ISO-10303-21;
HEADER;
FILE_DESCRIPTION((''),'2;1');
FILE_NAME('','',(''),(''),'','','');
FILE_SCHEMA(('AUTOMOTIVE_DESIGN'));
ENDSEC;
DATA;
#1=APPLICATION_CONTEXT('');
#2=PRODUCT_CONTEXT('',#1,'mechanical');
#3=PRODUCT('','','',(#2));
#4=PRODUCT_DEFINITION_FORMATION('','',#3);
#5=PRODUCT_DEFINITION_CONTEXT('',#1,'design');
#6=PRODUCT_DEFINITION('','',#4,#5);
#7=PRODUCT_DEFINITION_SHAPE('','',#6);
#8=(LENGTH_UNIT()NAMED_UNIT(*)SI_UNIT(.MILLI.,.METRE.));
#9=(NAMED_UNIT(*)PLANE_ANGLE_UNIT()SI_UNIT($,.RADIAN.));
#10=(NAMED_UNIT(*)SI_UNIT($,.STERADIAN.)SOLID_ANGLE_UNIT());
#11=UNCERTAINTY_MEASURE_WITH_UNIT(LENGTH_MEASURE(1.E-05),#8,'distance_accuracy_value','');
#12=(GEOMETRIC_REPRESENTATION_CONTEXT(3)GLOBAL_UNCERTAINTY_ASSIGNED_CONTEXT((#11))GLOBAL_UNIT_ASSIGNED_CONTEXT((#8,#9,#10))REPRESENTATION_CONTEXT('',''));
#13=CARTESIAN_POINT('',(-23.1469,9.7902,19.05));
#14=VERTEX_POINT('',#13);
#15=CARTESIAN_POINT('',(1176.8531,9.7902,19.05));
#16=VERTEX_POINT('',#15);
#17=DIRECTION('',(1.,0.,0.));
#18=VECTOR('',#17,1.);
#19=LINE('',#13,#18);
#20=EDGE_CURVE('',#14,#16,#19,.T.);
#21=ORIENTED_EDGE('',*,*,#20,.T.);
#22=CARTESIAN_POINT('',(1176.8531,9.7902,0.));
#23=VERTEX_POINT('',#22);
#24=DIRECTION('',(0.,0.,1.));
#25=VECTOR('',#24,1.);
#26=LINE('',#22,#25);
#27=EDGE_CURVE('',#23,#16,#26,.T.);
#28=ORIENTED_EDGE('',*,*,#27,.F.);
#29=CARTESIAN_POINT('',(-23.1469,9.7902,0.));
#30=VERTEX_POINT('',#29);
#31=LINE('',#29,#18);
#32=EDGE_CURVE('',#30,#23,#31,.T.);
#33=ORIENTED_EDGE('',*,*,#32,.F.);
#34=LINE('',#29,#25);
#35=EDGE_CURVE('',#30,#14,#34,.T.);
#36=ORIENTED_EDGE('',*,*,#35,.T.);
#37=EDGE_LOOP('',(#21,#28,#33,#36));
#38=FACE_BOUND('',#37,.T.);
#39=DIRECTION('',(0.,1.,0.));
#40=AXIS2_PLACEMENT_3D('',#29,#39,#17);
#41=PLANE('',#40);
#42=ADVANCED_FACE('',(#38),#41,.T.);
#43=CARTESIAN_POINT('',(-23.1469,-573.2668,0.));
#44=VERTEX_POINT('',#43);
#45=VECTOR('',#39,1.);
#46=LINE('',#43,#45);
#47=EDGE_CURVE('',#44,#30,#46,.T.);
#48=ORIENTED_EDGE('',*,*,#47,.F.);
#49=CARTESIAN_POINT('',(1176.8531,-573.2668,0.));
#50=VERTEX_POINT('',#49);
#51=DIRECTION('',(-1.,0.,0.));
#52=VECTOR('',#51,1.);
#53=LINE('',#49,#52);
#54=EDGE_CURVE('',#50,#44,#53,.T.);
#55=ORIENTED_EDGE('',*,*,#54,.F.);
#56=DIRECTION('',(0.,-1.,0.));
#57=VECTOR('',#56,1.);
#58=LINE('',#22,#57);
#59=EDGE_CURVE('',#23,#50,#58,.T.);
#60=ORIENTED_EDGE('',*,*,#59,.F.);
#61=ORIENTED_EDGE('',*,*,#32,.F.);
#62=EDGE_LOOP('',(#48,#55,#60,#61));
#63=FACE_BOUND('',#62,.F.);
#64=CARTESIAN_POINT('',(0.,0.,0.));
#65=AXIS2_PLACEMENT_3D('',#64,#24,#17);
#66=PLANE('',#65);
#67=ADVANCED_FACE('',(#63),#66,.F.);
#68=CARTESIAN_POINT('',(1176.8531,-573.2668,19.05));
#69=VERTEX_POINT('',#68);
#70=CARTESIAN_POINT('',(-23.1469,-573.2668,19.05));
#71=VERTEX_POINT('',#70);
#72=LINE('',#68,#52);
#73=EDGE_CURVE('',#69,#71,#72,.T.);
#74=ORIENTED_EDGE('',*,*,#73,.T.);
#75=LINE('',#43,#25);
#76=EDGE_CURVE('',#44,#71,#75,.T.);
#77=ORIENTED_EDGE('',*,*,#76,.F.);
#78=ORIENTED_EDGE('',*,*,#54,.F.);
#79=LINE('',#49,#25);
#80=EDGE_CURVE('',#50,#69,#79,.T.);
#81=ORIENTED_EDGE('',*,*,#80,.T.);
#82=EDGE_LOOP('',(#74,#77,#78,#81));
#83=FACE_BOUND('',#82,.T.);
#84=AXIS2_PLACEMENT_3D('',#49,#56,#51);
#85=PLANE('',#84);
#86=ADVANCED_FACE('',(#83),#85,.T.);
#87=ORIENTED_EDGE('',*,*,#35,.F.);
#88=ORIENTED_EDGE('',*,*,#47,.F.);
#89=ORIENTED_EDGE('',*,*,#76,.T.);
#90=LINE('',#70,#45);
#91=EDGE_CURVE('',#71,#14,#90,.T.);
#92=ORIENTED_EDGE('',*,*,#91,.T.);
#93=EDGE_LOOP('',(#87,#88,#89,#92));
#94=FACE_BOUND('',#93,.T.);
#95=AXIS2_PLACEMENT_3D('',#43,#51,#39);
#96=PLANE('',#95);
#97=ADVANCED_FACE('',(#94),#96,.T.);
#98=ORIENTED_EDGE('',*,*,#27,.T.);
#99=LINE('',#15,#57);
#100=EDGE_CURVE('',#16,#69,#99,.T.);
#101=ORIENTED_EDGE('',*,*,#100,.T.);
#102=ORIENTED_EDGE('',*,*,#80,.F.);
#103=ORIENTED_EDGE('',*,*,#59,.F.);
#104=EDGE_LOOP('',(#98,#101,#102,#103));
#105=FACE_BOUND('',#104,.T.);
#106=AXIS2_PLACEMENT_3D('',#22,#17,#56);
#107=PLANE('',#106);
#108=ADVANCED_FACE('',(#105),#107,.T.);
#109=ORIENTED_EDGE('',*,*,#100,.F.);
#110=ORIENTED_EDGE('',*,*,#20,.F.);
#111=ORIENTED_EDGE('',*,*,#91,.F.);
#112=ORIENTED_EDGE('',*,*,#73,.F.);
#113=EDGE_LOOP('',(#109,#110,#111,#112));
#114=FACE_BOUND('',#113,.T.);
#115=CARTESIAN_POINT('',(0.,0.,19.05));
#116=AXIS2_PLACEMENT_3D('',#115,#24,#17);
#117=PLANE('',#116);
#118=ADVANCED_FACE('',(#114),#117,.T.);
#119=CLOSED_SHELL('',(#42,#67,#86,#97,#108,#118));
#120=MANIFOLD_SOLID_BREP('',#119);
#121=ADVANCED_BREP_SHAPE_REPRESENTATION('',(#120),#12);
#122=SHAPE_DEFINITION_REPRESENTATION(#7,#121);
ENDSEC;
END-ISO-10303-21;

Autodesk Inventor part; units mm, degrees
ref_plane "YZ Plane" through (0, 0, 0) normal (1, 0, 0) x (0, 1, 0)
ref_plane "XZ Plane" through (0, 0, 0) normal (0, 1, 0) x (-1, 0, 0)
ref_plane "XY Plane" through (0, 0, 0) normal (0, 0, 1) x (1, 0, 0)
sketch "Sketch1" plane through (0, 0, 0) normal (0, 0, 1) x (1, 0, 0)
  line L0 (-23.1469, 9.7902) -> (1176.8531, 9.7902)
  line L1 (1176.8531, 9.7902) -> (1176.8531, -573.2668)
  line L2 (1176.8531, -573.2668) -> (-23.1469, -573.2668)
  line L3 (-23.1469, -573.2668) -> (-23.1469, 9.7902)
  point P0 (0, 0)
  dimension "d0" = 1200
  dimension "d1" = 583.057
extrude "Extrusion1" add sketch "Sketch1" along normal blind 19.05
properties part number "mid floater plate" material "Gold"
